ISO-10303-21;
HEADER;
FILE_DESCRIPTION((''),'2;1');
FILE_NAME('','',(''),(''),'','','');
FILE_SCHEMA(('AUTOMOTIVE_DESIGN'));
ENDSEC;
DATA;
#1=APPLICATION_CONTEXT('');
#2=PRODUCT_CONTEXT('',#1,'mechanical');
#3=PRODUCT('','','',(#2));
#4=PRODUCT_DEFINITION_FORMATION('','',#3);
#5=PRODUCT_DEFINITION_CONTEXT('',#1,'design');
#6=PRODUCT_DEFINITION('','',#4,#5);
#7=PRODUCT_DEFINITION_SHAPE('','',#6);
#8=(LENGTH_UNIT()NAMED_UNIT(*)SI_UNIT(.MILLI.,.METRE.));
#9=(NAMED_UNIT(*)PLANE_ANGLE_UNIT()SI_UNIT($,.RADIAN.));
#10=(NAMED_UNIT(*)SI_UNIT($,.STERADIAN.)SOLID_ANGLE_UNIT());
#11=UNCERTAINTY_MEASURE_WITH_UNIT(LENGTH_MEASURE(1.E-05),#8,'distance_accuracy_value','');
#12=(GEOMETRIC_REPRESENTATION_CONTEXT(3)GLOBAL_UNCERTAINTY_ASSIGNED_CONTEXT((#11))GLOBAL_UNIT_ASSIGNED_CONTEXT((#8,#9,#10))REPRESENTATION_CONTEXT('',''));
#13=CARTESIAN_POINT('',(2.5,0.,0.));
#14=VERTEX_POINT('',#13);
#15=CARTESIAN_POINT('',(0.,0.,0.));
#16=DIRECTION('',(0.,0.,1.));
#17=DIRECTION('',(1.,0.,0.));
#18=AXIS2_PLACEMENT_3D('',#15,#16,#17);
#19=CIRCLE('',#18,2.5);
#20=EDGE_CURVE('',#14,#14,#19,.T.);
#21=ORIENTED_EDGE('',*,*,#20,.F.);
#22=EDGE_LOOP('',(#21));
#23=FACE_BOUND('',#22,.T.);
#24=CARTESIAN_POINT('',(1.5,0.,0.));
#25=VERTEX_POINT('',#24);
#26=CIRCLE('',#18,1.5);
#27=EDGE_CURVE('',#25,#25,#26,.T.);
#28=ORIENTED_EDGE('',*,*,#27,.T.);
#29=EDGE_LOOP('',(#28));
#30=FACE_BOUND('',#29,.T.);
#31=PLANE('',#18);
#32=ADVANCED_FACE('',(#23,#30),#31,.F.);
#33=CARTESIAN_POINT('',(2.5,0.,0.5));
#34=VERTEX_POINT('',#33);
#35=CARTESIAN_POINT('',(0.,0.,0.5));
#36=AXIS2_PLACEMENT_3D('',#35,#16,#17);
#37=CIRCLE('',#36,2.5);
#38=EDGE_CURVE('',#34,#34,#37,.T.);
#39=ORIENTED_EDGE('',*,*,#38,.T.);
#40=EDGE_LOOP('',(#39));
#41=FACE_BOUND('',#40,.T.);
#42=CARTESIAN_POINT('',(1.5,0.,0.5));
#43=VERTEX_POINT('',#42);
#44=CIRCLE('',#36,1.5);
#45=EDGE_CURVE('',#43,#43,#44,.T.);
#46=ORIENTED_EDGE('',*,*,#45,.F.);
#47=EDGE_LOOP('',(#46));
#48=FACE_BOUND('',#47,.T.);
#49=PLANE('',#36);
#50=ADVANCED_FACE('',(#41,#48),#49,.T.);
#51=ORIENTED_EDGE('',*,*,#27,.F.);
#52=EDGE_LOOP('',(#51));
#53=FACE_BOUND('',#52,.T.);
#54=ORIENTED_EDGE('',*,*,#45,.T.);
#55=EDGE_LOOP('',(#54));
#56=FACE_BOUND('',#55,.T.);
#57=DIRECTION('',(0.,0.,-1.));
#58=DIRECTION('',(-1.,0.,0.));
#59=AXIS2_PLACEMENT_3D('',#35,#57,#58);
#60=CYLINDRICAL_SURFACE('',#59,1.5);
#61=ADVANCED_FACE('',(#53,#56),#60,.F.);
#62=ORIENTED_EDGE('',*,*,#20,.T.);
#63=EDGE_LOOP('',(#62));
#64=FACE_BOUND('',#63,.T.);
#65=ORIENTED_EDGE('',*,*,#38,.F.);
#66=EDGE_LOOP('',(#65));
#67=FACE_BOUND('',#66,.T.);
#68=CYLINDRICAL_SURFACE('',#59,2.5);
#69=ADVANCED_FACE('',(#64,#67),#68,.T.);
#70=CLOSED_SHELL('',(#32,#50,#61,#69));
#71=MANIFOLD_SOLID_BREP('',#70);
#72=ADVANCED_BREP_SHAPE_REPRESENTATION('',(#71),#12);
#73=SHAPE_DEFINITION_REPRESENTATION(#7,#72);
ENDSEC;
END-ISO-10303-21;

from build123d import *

# Parameters (mm, degrees)
SKETCH_1_R      = 2.5
SKETCH_1_R_2    = 1.5
EXTRUDE_1_DEPTH = 0.5


with BuildPart() as part:
    # 草图1 → 凸台-拉伸1 (new body)
    with BuildSketch(Plane.XY):
        Circle(SKETCH_1_R)
        Circle(SKETCH_1_R_2, mode=Mode.SUBTRACT)
    extrude(amount=EXTRUDE_1_DEPTH)


solid = part.part
